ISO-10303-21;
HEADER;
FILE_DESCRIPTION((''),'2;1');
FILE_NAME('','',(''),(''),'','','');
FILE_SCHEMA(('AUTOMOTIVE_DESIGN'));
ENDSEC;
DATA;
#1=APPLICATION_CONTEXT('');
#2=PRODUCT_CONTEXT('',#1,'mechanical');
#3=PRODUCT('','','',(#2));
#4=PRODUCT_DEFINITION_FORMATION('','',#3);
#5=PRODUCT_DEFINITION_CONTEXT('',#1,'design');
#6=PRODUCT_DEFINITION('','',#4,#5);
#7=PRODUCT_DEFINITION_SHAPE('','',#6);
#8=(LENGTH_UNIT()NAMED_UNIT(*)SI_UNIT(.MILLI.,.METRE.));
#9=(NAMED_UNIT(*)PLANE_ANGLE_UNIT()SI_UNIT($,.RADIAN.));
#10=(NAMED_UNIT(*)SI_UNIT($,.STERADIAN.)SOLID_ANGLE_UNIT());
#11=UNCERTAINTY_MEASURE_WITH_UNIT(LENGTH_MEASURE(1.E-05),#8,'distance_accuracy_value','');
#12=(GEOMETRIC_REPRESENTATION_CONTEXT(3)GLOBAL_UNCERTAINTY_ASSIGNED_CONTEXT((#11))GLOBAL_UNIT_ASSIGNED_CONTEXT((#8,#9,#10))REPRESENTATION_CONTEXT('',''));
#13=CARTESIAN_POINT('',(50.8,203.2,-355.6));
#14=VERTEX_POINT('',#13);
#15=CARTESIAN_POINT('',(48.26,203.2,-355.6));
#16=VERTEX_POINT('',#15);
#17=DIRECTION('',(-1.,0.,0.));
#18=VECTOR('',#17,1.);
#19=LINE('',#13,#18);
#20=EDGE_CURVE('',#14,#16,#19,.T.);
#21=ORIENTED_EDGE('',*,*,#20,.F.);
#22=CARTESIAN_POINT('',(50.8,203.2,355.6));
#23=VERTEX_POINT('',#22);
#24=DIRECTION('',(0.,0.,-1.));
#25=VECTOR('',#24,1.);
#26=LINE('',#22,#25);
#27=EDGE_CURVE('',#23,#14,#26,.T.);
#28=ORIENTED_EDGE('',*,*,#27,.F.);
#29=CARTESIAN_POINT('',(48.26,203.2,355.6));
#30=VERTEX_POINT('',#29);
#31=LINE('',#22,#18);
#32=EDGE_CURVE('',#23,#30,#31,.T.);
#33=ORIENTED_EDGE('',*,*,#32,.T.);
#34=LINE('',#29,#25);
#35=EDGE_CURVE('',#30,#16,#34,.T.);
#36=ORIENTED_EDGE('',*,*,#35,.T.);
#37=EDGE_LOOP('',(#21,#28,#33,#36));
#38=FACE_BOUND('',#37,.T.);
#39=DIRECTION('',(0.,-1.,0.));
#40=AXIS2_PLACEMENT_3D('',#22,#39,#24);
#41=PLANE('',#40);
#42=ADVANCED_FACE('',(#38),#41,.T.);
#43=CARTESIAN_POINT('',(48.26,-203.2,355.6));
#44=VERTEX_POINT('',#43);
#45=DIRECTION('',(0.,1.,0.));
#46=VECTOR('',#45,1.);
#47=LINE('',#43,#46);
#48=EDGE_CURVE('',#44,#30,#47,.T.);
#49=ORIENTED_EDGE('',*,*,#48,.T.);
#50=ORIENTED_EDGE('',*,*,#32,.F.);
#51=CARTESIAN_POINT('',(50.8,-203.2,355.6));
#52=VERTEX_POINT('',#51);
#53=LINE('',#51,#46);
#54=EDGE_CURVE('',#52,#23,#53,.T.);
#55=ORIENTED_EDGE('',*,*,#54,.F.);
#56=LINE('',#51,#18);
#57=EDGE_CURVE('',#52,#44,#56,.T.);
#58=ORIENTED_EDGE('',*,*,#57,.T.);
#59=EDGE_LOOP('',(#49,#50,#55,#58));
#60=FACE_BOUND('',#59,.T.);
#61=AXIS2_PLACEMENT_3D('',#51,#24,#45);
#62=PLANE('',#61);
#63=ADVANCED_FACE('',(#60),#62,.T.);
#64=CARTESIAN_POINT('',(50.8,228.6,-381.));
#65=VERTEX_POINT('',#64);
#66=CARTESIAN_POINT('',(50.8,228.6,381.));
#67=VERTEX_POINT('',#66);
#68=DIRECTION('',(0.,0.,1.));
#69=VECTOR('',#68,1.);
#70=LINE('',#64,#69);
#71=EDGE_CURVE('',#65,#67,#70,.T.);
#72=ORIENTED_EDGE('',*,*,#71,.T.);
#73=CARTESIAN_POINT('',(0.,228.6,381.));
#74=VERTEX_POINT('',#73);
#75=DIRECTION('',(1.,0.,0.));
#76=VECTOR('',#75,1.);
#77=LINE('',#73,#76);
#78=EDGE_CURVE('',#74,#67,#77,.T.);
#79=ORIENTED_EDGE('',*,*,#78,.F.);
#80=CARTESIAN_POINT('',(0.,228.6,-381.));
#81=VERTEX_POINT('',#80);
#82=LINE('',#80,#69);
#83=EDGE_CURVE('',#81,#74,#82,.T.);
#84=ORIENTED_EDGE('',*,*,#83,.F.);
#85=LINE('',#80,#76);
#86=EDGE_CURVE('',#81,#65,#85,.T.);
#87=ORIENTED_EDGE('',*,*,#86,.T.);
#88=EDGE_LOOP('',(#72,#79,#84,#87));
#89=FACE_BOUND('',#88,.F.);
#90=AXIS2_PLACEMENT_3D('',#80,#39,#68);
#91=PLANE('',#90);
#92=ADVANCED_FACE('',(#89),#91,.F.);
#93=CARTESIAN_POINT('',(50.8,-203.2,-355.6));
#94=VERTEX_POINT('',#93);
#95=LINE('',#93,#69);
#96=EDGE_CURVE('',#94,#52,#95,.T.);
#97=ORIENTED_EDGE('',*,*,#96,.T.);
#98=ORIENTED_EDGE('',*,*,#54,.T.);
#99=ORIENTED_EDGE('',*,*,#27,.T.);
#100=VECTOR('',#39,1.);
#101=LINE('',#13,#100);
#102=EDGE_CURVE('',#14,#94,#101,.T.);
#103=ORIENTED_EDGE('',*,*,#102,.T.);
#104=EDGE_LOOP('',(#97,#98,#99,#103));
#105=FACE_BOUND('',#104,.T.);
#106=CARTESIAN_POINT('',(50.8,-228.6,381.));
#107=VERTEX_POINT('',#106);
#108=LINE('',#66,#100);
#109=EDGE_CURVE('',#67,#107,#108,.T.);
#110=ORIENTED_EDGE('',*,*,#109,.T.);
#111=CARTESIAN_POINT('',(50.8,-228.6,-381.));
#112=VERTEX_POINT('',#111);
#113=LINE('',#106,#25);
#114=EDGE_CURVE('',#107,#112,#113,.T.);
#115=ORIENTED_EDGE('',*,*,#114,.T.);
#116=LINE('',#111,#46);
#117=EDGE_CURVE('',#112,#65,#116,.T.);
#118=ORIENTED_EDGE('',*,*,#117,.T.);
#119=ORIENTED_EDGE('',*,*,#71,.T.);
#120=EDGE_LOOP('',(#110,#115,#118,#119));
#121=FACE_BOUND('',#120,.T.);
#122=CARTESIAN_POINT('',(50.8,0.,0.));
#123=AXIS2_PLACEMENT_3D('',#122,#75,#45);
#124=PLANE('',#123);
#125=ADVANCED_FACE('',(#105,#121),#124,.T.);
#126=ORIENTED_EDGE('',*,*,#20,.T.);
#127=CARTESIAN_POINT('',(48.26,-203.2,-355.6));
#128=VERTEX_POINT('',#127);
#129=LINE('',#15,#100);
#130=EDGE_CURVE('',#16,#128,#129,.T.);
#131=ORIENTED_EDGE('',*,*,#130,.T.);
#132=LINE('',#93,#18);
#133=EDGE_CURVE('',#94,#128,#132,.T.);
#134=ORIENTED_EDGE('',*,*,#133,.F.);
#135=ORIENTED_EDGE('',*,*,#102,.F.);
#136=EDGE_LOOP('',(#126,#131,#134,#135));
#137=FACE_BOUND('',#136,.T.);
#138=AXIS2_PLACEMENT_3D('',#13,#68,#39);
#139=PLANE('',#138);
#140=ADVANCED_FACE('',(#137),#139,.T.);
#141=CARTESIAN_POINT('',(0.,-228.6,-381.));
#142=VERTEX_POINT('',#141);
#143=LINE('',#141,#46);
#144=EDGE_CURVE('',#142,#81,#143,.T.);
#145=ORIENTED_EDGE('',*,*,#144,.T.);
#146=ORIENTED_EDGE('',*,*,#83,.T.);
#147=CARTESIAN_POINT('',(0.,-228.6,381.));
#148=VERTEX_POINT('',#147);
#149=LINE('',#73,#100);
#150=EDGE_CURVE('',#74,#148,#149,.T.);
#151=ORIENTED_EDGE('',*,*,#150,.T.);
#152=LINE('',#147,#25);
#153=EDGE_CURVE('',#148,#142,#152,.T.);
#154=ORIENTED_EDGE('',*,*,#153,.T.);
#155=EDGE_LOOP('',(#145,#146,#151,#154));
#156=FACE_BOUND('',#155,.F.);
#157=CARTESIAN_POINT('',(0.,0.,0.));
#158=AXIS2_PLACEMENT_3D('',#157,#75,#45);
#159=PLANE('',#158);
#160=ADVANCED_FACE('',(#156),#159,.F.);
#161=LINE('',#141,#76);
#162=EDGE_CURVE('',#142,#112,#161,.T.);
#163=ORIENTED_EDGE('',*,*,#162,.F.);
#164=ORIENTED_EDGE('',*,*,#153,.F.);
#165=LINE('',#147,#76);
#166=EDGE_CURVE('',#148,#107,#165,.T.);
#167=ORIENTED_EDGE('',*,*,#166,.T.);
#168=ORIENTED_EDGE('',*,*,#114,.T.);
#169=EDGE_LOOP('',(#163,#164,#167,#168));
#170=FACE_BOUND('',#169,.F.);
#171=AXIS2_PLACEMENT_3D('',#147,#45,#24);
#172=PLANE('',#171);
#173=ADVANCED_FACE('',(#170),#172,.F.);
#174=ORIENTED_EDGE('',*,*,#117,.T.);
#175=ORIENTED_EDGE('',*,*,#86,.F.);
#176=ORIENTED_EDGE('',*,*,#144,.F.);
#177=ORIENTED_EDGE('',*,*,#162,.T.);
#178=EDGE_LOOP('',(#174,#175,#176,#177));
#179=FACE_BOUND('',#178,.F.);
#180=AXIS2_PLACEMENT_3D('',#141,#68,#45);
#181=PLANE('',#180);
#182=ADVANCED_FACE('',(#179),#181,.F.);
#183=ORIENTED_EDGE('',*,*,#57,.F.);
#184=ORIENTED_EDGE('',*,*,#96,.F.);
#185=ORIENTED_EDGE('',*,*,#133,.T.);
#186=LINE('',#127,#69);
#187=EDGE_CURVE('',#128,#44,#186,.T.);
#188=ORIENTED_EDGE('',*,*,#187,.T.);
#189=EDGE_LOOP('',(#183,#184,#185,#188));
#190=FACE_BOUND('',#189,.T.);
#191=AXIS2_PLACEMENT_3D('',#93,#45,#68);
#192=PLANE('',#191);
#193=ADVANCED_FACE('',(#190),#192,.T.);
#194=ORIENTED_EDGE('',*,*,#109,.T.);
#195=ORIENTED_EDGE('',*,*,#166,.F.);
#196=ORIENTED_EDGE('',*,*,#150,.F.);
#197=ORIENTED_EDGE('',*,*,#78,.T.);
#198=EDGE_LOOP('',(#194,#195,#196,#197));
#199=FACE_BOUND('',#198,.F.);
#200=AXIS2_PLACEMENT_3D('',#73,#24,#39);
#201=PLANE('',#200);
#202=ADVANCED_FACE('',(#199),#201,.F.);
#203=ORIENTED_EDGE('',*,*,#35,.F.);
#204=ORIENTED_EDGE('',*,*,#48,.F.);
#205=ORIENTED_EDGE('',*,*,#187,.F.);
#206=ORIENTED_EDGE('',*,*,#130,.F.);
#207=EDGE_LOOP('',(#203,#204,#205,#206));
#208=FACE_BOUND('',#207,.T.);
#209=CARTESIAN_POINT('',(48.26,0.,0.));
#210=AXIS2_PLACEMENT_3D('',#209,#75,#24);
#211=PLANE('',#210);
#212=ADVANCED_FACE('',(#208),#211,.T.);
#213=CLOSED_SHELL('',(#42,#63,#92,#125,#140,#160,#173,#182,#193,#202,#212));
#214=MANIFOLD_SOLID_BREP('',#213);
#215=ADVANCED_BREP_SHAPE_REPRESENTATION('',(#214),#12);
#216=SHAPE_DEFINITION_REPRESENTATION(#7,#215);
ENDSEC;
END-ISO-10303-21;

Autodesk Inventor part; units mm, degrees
ref_plane "YZ Plane" through (0, 0, 0) normal (1, 0, 0) x (0, 1, 0)
ref_plane "XZ Plane" through (0, 0, 0) normal (0, 1, 0) x (-1, 0, 0)
ref_plane "XY Plane" through (0, 0, 0) normal (0, 0, 1) x (1, 0, 0)
sketch "Sketch1" plane through (0, 0, 0) normal (1, 0, 0) x (0, 1, 0)
  line L0 (228.6, 381) -> (-228.6, 381)
  line L1 (-228.6, 381) -> (-228.6, -381)
  line L2 (-228.6, -381) -> (228.6, -381)
  line L3 (228.6, -381) -> (228.6, 381)
  point P0 (0, 0)
  point P1 (228.6, 0)
  point P2 (0, -381)
  dimension "d0" = 762
  dimension "d1" = 457.2
extrude "Extrusion1" add sketch "Sketch1" along normal blind 50.8
sketch "Sketch2" plane through (50.8, 0, 0) normal (1, 0, 0) x (0, 0, -1)
  line L0 (381, 228.6) -> (-381, 228.6) projected
  line L1 (-381, 228.6) -> (-381, -228.6) projected
  line L2 (-381, -228.6) -> (381, -228.6) projected
  line L3 (381, -228.6) -> (381, 228.6) projected
  line L4 (-355.6, 203.2) -> (355.6, 203.2)
  line L5 (355.6, 203.2) -> (355.6, -203.2)
  line L6 (355.6, -203.2) -> (-355.6, -203.2)
  line L7 (-355.6, -203.2) -> (-355.6, 203.2)
  point P0 (0, 0)
  dimension "d4" = 25.4
extrude "Extrusion2" cut sketch "Sketch2" against normal blind 2.54 contours L4 L5 L6 L7
properties part number "Television"
